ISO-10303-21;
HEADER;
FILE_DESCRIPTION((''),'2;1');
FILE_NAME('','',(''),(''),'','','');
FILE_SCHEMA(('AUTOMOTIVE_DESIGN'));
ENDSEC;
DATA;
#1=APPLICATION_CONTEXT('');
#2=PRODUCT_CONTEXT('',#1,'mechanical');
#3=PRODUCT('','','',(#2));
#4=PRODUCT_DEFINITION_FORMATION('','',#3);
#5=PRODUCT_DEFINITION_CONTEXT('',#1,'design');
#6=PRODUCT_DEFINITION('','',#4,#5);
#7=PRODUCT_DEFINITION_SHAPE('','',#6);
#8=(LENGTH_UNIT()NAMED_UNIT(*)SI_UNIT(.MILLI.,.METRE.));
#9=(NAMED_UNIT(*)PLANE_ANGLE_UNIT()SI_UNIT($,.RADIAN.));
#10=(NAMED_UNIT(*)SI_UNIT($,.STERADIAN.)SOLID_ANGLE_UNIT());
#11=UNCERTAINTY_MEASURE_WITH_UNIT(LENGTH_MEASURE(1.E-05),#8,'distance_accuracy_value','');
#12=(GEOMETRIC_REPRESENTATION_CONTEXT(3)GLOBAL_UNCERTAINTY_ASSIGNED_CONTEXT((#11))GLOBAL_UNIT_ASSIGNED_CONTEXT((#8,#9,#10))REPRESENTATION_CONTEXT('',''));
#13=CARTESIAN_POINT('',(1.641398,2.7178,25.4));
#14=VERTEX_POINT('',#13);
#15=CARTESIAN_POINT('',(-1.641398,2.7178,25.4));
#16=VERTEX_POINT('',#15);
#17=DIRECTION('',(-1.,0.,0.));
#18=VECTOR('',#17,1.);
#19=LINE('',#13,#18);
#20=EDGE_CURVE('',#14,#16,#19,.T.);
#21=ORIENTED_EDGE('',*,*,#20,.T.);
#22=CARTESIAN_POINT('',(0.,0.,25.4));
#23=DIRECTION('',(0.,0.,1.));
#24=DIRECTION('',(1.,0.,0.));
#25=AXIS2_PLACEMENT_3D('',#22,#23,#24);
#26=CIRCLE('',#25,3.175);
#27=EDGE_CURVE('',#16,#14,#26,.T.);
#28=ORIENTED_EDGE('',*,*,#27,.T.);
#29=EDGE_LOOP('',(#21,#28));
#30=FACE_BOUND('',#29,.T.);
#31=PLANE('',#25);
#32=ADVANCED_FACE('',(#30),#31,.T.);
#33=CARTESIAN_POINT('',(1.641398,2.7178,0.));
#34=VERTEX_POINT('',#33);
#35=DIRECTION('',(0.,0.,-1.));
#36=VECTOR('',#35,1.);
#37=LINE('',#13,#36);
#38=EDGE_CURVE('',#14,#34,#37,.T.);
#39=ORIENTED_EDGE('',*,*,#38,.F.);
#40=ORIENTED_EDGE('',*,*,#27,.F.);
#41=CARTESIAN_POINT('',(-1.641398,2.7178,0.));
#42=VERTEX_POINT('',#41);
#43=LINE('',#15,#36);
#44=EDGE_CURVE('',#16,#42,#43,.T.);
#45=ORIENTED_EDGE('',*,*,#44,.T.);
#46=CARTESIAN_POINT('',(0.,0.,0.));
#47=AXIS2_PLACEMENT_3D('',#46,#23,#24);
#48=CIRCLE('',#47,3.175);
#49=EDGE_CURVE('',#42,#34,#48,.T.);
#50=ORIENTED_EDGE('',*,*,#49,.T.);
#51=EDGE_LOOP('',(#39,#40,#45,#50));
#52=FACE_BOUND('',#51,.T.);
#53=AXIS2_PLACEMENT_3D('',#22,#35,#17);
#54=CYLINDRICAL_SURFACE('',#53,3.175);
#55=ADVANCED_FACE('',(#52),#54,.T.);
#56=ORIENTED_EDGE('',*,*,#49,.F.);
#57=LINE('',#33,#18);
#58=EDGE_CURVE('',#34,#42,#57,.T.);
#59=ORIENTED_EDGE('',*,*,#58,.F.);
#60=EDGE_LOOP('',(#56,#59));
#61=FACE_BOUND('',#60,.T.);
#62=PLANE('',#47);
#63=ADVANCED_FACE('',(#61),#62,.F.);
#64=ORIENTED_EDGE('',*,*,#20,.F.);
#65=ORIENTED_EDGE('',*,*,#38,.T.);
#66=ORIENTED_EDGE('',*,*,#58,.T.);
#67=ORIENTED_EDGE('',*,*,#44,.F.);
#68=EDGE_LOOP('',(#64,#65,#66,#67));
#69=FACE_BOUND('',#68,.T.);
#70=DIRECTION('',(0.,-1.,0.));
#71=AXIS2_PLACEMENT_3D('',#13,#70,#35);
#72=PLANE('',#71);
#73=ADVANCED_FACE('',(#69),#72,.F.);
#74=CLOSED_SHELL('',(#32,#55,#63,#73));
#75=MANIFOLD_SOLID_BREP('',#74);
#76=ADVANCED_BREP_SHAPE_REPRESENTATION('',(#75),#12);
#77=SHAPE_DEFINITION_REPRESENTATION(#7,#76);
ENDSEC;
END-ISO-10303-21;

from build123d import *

# Parameters (mm, degrees)
SKETCH1_R           = 3.175
BOSS_EXTRUDE1_DEPTH = 25.4
CUT_EXTRUDE1_DEPTH  = 26.793821935


with BuildPart() as part:
    # Sketch1 → Boss-Extrude1 (new body)
    with BuildSketch(Plane.XY):
        Circle(SKETCH1_R)
    extrude(amount=BOSS_EXTRUDE1_DEPTH)

    # Sketch2 → Cut-Extrude1 (cut, through all)
    with BuildSketch(Plane(origin=(0, 0, 0), x_dir=(-1, 0, 0), z_dir=(0, 0, -1))):
        with BuildLine():
            Line((-1.641398233, 2.7178), (1.641398233, 2.7178))
            ThreePointArc((1.641398233, 2.7178), (0, 3.175), (-1.641398233, 2.7178))
        make_face()
    extrude(amount=-CUT_EXTRUDE1_DEPTH, mode=Mode.SUBTRACT)


solid = part.part
